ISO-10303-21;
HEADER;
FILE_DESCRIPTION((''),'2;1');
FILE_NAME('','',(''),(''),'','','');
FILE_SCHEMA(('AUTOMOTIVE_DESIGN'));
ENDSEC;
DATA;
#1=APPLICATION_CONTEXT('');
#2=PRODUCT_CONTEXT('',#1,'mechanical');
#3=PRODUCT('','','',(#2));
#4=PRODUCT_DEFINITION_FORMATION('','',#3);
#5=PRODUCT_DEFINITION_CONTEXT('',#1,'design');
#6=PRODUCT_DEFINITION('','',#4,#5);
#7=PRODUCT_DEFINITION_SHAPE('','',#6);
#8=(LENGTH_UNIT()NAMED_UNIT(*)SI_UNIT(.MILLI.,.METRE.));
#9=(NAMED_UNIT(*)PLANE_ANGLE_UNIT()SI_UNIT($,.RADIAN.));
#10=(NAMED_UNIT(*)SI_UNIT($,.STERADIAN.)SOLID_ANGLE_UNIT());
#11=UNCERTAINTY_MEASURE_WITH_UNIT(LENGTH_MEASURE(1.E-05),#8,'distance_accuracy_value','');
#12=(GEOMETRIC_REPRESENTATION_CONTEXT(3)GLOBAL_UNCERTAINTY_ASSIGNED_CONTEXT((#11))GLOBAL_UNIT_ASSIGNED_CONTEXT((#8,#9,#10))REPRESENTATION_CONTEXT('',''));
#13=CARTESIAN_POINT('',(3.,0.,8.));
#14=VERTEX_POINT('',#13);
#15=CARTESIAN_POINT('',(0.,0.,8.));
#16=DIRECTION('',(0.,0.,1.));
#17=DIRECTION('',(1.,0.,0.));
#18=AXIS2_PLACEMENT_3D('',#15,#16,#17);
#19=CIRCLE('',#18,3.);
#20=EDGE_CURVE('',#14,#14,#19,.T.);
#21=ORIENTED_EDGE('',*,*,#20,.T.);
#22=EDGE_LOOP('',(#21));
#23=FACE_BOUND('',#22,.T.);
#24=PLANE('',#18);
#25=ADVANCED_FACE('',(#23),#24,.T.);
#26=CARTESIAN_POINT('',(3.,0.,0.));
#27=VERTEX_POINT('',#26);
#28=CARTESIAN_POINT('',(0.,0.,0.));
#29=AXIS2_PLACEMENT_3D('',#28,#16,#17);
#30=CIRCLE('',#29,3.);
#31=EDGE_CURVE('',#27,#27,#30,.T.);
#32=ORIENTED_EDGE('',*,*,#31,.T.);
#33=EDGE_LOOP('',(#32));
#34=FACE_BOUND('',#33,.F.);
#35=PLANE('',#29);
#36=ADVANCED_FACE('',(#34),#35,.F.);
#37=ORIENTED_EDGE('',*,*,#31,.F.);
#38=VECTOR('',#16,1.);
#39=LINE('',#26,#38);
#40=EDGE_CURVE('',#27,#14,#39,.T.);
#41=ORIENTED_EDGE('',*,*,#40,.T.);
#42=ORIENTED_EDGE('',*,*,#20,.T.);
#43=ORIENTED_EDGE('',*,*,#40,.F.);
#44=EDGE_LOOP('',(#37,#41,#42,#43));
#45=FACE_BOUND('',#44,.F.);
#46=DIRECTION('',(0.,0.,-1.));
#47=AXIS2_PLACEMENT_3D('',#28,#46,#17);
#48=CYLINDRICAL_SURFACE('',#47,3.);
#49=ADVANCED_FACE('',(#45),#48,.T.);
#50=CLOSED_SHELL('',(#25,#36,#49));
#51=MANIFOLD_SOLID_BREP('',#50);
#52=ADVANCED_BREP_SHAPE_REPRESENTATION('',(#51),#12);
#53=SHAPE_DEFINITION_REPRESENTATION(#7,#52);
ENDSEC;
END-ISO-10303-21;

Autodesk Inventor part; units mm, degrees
ref_plane "YZ Plane" through (0, 0, 0) normal (1, 0, 0) x (0, 1, 0)
ref_plane "XZ Plane" through (0, 0, 0) normal (0, 1, 0) x (-1, 0, 0)
ref_plane "XY Plane" through (0, 0, 0) normal (0, 0, 1) x (1, 0, 0)
sketch "Skizze1" plane through (0, 0, 0) normal (0, 0, 1) x (1, 0, 0)
  circle A0 centre (0, 0) radius 3
  dimension "d0" = 6
extrude "Extrusion1" add sketch "Skizze1" along normal blind 8
properties part number "00_Magnets_6x8mm"
